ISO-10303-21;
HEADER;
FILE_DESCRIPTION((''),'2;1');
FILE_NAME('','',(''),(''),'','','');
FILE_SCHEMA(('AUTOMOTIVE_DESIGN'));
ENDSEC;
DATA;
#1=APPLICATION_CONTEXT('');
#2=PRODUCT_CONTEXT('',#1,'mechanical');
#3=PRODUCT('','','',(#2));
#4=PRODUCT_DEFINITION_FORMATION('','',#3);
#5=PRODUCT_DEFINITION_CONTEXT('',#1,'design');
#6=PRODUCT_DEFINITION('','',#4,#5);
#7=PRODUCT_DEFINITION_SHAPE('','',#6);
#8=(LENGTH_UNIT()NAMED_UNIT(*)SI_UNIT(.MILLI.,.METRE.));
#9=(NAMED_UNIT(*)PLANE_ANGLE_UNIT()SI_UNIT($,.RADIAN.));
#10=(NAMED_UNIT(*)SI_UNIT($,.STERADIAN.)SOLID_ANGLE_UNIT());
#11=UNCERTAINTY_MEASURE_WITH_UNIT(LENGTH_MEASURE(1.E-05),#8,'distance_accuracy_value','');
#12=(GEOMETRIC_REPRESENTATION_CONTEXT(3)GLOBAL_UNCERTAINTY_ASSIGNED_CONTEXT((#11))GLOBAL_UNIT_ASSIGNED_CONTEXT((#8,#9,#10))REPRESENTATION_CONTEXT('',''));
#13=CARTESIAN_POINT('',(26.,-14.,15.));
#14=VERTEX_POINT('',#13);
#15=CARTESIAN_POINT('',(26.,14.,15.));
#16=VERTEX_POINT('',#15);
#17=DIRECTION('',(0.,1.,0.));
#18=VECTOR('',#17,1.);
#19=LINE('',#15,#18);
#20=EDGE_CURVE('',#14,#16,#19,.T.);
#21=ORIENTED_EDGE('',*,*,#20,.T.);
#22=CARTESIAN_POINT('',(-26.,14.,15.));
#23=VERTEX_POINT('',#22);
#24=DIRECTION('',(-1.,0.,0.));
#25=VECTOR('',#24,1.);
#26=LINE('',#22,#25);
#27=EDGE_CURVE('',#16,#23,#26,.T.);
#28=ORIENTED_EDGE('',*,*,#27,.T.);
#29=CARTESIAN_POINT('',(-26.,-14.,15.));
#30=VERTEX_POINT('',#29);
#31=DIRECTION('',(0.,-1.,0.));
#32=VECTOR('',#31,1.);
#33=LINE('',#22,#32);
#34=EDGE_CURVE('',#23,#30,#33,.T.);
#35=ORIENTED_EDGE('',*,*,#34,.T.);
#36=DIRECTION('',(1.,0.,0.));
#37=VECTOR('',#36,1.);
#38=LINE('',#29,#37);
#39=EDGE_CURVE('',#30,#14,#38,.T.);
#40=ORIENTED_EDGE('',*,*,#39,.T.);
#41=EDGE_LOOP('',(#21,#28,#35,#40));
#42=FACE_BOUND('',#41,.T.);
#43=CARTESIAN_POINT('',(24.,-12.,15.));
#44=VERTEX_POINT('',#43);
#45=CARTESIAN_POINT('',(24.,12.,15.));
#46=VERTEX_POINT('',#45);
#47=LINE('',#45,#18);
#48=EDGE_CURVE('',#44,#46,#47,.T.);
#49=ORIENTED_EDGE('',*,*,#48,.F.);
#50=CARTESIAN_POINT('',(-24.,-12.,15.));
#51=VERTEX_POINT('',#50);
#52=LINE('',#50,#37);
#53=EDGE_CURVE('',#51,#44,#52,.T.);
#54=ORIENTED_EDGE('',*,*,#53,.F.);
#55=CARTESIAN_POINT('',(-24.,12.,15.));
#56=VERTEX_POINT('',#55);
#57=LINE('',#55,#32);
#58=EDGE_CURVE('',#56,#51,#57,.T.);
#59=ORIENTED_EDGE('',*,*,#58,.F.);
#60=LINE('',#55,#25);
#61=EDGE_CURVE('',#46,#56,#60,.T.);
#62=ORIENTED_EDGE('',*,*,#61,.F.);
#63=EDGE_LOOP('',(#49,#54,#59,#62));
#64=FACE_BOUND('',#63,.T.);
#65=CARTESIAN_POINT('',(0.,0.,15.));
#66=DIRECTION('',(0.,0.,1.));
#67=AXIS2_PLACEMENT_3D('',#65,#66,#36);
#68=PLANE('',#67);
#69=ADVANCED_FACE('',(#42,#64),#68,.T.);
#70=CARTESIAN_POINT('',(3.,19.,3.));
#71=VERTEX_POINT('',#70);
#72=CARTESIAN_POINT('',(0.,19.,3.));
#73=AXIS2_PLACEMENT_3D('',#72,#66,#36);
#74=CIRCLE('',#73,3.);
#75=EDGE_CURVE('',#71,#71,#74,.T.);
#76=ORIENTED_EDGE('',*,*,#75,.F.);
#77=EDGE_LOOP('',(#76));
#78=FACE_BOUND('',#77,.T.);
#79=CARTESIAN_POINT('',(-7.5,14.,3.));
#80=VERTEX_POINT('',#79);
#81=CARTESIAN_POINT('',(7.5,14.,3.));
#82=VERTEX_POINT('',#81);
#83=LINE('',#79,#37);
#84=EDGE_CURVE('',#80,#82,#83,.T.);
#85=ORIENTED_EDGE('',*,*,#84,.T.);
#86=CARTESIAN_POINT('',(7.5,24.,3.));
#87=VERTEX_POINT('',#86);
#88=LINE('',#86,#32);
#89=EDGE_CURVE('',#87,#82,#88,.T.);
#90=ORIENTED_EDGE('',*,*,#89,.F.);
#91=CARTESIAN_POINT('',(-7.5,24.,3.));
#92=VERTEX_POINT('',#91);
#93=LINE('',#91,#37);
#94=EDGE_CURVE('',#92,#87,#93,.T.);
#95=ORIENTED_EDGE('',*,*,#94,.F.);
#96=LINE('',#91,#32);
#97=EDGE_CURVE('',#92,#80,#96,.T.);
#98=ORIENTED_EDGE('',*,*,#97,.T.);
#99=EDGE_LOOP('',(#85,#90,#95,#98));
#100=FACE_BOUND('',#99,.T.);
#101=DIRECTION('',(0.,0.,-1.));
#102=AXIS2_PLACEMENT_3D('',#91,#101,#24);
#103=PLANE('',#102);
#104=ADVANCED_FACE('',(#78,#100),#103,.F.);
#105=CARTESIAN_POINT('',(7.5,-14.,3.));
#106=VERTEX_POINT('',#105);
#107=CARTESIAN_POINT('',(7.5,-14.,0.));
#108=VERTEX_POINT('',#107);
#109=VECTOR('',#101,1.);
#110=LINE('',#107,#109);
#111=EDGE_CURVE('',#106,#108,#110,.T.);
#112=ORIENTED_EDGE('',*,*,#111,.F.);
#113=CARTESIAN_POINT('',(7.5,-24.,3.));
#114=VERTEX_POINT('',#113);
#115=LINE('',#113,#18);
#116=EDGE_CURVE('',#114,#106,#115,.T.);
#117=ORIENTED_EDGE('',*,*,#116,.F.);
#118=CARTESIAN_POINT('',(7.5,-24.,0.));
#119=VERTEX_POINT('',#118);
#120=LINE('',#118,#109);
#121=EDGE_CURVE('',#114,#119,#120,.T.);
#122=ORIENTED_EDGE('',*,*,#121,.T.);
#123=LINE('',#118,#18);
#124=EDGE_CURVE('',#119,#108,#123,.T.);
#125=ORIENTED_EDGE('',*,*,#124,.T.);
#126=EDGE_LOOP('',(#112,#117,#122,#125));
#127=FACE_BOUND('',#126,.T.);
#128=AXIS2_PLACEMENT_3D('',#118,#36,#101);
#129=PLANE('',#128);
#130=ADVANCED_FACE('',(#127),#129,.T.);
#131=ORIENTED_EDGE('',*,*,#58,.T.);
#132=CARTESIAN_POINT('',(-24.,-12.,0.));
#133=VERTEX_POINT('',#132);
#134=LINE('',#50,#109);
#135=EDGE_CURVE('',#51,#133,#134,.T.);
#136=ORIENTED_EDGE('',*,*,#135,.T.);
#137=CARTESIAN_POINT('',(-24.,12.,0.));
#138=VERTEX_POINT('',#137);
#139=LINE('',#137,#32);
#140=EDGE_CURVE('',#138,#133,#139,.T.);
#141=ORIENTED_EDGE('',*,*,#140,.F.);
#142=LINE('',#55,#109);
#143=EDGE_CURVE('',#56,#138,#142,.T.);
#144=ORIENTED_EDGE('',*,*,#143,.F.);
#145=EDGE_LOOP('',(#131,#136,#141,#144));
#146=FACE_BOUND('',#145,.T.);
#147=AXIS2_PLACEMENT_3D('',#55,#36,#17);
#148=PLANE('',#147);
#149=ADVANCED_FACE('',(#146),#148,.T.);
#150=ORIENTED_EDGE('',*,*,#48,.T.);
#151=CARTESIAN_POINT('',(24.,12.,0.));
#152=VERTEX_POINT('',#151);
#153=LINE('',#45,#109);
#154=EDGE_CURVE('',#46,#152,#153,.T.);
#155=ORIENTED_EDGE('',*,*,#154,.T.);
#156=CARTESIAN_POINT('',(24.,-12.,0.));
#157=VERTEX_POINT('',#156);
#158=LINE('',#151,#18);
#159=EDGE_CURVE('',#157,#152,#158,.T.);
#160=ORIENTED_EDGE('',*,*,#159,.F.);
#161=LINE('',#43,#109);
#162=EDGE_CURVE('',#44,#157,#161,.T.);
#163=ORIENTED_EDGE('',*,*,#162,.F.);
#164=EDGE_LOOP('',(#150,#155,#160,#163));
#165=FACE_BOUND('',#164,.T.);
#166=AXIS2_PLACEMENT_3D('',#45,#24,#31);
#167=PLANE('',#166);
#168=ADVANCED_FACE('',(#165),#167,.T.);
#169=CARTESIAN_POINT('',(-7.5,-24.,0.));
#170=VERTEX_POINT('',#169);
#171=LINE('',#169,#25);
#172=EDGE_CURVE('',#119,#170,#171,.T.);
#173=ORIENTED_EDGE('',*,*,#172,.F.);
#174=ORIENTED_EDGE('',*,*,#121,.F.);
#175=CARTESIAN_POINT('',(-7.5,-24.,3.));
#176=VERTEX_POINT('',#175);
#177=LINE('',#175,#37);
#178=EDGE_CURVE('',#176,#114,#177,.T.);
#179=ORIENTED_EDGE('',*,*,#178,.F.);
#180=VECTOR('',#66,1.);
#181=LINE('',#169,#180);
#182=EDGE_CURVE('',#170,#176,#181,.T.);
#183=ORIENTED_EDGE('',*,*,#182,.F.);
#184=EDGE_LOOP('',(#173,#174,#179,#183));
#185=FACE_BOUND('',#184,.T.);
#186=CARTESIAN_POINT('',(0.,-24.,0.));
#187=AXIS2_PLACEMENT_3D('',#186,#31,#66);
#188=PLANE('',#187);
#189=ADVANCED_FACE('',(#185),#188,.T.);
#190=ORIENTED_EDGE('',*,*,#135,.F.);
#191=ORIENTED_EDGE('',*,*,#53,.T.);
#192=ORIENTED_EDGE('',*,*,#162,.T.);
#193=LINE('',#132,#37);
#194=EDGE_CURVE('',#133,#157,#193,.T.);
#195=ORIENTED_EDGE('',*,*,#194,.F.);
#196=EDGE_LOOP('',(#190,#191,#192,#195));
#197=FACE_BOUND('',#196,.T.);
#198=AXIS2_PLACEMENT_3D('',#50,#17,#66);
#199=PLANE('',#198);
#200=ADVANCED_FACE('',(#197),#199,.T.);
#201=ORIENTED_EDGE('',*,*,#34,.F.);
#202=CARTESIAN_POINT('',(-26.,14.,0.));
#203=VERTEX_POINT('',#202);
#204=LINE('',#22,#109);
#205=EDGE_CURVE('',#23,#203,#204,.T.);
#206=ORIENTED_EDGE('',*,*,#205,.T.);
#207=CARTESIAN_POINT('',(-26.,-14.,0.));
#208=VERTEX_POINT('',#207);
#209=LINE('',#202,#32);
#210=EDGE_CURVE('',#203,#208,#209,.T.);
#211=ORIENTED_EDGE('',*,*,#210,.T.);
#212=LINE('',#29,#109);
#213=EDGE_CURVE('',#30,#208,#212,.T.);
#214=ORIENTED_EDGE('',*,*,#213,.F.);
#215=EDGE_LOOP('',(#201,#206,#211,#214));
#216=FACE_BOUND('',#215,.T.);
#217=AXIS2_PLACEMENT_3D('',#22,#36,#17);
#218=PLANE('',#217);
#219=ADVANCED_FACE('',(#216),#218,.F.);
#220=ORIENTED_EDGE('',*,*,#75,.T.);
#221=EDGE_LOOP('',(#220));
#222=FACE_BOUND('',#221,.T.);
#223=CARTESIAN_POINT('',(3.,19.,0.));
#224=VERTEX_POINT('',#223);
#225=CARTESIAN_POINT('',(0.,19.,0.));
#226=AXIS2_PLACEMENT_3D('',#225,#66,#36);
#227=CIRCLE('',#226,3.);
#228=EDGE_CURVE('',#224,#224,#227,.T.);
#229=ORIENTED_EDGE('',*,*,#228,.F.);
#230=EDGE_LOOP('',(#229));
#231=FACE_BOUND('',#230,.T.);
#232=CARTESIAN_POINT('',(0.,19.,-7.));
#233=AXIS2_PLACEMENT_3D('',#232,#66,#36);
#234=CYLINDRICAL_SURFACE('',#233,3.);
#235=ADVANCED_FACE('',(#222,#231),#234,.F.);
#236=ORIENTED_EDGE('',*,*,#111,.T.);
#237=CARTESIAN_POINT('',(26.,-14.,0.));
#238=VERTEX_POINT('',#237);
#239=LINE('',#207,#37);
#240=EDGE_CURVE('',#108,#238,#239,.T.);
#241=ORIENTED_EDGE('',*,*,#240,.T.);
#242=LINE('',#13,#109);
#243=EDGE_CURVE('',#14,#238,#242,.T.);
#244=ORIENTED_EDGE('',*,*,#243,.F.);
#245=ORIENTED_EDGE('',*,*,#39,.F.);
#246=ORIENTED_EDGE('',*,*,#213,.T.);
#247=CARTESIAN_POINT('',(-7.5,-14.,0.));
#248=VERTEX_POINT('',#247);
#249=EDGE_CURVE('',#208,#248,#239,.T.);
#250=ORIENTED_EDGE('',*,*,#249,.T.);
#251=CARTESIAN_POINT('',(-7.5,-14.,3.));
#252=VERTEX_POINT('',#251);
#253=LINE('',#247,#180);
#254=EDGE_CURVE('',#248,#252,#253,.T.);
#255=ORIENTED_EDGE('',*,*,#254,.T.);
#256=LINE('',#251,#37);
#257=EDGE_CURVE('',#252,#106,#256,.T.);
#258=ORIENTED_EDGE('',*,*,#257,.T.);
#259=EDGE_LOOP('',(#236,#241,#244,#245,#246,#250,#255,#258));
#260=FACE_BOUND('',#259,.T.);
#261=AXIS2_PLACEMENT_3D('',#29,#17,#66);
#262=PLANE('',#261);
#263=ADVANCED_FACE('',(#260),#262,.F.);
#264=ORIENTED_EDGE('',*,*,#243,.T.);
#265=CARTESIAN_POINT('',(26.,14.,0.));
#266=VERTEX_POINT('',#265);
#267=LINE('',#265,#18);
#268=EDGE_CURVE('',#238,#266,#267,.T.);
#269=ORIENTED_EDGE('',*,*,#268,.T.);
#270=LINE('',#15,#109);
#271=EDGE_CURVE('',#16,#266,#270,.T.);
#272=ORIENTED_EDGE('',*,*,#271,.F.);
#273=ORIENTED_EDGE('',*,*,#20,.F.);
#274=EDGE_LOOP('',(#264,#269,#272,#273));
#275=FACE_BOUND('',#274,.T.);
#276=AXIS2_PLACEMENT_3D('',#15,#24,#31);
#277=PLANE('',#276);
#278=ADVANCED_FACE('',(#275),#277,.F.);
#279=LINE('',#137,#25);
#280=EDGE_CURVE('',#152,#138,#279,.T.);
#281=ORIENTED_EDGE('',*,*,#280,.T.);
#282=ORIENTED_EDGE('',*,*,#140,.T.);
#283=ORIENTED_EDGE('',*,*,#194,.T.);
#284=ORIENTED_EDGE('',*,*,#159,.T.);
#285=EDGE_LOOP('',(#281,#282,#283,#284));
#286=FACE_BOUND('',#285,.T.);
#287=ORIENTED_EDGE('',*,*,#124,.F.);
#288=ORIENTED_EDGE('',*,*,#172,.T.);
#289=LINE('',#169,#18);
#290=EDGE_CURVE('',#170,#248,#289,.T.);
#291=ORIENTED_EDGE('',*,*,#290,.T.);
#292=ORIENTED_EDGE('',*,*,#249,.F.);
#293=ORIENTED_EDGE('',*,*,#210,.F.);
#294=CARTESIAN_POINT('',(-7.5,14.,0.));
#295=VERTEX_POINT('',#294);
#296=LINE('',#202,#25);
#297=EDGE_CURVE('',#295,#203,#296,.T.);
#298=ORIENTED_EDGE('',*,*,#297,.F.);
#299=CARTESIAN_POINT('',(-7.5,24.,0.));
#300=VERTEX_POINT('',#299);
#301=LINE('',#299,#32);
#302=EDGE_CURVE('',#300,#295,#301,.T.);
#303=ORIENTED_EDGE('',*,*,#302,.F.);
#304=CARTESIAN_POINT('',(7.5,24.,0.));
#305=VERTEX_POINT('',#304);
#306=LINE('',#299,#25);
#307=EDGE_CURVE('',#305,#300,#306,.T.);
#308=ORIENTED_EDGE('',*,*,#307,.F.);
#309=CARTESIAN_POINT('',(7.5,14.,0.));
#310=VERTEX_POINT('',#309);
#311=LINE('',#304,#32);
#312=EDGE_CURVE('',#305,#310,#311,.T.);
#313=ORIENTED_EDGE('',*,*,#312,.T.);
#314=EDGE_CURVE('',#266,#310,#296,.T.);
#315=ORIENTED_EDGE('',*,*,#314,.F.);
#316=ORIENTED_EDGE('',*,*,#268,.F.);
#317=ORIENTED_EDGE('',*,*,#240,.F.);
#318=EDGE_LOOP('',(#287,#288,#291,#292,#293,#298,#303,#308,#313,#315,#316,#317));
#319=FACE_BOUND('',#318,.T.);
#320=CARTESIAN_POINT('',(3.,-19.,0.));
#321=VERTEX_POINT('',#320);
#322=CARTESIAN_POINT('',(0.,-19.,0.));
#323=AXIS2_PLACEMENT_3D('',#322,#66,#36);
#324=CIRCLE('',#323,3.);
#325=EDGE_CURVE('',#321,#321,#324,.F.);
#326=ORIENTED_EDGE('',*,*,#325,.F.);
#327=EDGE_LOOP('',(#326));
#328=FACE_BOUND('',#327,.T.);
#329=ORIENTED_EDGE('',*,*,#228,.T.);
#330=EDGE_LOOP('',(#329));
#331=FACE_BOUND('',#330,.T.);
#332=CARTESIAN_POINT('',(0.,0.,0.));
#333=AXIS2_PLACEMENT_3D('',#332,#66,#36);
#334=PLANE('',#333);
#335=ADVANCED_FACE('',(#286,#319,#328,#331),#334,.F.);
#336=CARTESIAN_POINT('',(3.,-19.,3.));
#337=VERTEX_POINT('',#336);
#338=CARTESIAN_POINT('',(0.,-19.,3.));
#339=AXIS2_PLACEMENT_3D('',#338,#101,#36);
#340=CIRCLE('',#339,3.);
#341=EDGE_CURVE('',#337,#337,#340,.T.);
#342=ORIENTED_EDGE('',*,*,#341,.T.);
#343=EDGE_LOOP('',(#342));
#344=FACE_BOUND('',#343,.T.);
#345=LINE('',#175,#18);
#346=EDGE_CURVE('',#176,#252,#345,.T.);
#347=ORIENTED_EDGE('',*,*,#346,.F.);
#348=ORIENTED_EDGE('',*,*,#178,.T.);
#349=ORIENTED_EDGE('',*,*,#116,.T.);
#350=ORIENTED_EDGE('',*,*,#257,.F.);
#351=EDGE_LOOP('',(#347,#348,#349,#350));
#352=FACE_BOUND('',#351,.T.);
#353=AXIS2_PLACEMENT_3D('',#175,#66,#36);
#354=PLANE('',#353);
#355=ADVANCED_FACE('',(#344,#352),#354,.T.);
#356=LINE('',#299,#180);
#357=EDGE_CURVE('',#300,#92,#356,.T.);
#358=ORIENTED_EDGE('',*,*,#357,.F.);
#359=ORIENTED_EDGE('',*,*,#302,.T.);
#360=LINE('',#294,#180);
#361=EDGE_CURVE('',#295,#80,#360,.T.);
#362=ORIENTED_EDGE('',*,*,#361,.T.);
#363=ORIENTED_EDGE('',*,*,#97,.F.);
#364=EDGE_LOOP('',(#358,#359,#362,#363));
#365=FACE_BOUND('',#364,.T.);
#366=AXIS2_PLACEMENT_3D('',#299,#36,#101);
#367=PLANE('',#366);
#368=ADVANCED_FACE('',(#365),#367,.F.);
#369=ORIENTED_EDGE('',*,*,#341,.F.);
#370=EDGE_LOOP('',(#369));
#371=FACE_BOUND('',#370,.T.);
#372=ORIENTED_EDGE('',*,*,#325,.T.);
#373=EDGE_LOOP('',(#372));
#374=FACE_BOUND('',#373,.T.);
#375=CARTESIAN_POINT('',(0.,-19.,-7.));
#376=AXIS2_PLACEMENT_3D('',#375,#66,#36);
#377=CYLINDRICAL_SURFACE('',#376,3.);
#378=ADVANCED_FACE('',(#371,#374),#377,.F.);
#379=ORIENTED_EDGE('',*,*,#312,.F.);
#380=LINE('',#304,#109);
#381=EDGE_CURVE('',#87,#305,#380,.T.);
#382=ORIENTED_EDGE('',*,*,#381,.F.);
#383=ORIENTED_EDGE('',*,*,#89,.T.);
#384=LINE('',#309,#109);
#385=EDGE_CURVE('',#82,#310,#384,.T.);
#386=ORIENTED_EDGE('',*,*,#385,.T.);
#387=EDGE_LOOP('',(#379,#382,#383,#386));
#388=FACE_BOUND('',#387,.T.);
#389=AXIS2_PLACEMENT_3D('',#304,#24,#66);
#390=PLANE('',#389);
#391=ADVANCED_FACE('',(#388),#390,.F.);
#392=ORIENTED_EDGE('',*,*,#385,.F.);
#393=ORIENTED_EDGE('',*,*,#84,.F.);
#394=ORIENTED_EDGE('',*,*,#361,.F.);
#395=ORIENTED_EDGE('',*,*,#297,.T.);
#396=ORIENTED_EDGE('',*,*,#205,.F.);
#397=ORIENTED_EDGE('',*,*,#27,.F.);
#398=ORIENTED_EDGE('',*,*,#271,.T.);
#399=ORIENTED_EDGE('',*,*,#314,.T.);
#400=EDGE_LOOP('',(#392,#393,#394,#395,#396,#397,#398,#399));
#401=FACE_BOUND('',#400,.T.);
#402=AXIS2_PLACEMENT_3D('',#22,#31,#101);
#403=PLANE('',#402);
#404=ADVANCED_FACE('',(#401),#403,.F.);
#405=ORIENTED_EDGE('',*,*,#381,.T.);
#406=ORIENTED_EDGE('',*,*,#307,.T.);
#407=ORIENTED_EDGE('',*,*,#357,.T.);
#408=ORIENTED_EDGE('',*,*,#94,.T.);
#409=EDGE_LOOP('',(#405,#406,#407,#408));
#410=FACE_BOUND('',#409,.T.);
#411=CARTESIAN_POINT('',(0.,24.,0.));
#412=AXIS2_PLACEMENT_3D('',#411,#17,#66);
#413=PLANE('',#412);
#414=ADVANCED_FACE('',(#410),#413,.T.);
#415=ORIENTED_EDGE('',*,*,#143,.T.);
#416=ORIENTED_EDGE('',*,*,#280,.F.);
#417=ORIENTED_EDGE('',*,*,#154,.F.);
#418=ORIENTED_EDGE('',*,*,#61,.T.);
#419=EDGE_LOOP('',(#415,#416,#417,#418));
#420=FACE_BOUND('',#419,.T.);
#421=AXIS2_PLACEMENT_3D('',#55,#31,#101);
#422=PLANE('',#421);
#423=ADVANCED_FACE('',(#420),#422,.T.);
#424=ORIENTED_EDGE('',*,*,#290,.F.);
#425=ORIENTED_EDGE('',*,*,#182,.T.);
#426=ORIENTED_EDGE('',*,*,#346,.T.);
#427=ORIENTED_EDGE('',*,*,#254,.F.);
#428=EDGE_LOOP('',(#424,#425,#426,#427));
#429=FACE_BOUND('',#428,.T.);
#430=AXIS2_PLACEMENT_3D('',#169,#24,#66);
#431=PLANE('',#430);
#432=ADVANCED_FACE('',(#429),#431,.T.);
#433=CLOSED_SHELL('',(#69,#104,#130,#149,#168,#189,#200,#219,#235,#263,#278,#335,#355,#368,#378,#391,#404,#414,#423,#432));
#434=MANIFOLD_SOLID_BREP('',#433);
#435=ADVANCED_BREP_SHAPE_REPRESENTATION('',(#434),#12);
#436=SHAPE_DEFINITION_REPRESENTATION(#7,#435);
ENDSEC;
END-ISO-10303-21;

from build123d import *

# Parameters (mm, degrees)
SKETCH_1_W          = 52
SKETCH_1_H          = 28
SKETCH_1_W_2        = 48
SKETCH_1_H_2        = 24
EXTRUDE_1_DEPTH     = 15
SKETCH_2_W          = 15
SKETCH_2_H          = 3
EXTRUDE_2_DEPTH     = 10
SKETCH_3_R          = 3
CUT_EXTRUDE_1_DEPTH = 10


with BuildPart() as part:
    # 草圖1 → 填料-伸長1 (new body)
    with BuildSketch(Plane.XY):
        Rectangle(SKETCH_1_W, SKETCH_1_H)
        Rectangle(SKETCH_1_W_2, SKETCH_1_H_2, mode=Mode.SUBTRACT)
    extrude(amount=EXTRUDE_1_DEPTH)

    # 草圖2 → 填料-伸長2 (add)
    with BuildSketch(Plane(origin=(0, 14, 0), x_dir=(1, 0, 0), z_dir=(0, 1, 0))):
        with Locations((0, -1.5)):
            Rectangle(SKETCH_2_W, SKETCH_2_H)
    extrude_2 = extrude(amount=EXTRUDE_2_DEPTH)

    # 草圖3 → 除料-伸長1 (cut)
    with BuildSketch(Plane.XY.offset(3)):
        with Locations((0, 19)):
            Circle(SKETCH_3_R)
    cut_extrude_1 = extrude(amount=-CUT_EXTRUDE_1_DEPTH, mode=Mode.SUBTRACT)

    # 鏡射1: 填料-伸長2, 除料-伸長1 across plane
    add(extrude_2.mirror(Plane.ZX))
    add(cut_extrude_1.mirror(Plane.ZX), mode=Mode.SUBTRACT)


solid = part.part
